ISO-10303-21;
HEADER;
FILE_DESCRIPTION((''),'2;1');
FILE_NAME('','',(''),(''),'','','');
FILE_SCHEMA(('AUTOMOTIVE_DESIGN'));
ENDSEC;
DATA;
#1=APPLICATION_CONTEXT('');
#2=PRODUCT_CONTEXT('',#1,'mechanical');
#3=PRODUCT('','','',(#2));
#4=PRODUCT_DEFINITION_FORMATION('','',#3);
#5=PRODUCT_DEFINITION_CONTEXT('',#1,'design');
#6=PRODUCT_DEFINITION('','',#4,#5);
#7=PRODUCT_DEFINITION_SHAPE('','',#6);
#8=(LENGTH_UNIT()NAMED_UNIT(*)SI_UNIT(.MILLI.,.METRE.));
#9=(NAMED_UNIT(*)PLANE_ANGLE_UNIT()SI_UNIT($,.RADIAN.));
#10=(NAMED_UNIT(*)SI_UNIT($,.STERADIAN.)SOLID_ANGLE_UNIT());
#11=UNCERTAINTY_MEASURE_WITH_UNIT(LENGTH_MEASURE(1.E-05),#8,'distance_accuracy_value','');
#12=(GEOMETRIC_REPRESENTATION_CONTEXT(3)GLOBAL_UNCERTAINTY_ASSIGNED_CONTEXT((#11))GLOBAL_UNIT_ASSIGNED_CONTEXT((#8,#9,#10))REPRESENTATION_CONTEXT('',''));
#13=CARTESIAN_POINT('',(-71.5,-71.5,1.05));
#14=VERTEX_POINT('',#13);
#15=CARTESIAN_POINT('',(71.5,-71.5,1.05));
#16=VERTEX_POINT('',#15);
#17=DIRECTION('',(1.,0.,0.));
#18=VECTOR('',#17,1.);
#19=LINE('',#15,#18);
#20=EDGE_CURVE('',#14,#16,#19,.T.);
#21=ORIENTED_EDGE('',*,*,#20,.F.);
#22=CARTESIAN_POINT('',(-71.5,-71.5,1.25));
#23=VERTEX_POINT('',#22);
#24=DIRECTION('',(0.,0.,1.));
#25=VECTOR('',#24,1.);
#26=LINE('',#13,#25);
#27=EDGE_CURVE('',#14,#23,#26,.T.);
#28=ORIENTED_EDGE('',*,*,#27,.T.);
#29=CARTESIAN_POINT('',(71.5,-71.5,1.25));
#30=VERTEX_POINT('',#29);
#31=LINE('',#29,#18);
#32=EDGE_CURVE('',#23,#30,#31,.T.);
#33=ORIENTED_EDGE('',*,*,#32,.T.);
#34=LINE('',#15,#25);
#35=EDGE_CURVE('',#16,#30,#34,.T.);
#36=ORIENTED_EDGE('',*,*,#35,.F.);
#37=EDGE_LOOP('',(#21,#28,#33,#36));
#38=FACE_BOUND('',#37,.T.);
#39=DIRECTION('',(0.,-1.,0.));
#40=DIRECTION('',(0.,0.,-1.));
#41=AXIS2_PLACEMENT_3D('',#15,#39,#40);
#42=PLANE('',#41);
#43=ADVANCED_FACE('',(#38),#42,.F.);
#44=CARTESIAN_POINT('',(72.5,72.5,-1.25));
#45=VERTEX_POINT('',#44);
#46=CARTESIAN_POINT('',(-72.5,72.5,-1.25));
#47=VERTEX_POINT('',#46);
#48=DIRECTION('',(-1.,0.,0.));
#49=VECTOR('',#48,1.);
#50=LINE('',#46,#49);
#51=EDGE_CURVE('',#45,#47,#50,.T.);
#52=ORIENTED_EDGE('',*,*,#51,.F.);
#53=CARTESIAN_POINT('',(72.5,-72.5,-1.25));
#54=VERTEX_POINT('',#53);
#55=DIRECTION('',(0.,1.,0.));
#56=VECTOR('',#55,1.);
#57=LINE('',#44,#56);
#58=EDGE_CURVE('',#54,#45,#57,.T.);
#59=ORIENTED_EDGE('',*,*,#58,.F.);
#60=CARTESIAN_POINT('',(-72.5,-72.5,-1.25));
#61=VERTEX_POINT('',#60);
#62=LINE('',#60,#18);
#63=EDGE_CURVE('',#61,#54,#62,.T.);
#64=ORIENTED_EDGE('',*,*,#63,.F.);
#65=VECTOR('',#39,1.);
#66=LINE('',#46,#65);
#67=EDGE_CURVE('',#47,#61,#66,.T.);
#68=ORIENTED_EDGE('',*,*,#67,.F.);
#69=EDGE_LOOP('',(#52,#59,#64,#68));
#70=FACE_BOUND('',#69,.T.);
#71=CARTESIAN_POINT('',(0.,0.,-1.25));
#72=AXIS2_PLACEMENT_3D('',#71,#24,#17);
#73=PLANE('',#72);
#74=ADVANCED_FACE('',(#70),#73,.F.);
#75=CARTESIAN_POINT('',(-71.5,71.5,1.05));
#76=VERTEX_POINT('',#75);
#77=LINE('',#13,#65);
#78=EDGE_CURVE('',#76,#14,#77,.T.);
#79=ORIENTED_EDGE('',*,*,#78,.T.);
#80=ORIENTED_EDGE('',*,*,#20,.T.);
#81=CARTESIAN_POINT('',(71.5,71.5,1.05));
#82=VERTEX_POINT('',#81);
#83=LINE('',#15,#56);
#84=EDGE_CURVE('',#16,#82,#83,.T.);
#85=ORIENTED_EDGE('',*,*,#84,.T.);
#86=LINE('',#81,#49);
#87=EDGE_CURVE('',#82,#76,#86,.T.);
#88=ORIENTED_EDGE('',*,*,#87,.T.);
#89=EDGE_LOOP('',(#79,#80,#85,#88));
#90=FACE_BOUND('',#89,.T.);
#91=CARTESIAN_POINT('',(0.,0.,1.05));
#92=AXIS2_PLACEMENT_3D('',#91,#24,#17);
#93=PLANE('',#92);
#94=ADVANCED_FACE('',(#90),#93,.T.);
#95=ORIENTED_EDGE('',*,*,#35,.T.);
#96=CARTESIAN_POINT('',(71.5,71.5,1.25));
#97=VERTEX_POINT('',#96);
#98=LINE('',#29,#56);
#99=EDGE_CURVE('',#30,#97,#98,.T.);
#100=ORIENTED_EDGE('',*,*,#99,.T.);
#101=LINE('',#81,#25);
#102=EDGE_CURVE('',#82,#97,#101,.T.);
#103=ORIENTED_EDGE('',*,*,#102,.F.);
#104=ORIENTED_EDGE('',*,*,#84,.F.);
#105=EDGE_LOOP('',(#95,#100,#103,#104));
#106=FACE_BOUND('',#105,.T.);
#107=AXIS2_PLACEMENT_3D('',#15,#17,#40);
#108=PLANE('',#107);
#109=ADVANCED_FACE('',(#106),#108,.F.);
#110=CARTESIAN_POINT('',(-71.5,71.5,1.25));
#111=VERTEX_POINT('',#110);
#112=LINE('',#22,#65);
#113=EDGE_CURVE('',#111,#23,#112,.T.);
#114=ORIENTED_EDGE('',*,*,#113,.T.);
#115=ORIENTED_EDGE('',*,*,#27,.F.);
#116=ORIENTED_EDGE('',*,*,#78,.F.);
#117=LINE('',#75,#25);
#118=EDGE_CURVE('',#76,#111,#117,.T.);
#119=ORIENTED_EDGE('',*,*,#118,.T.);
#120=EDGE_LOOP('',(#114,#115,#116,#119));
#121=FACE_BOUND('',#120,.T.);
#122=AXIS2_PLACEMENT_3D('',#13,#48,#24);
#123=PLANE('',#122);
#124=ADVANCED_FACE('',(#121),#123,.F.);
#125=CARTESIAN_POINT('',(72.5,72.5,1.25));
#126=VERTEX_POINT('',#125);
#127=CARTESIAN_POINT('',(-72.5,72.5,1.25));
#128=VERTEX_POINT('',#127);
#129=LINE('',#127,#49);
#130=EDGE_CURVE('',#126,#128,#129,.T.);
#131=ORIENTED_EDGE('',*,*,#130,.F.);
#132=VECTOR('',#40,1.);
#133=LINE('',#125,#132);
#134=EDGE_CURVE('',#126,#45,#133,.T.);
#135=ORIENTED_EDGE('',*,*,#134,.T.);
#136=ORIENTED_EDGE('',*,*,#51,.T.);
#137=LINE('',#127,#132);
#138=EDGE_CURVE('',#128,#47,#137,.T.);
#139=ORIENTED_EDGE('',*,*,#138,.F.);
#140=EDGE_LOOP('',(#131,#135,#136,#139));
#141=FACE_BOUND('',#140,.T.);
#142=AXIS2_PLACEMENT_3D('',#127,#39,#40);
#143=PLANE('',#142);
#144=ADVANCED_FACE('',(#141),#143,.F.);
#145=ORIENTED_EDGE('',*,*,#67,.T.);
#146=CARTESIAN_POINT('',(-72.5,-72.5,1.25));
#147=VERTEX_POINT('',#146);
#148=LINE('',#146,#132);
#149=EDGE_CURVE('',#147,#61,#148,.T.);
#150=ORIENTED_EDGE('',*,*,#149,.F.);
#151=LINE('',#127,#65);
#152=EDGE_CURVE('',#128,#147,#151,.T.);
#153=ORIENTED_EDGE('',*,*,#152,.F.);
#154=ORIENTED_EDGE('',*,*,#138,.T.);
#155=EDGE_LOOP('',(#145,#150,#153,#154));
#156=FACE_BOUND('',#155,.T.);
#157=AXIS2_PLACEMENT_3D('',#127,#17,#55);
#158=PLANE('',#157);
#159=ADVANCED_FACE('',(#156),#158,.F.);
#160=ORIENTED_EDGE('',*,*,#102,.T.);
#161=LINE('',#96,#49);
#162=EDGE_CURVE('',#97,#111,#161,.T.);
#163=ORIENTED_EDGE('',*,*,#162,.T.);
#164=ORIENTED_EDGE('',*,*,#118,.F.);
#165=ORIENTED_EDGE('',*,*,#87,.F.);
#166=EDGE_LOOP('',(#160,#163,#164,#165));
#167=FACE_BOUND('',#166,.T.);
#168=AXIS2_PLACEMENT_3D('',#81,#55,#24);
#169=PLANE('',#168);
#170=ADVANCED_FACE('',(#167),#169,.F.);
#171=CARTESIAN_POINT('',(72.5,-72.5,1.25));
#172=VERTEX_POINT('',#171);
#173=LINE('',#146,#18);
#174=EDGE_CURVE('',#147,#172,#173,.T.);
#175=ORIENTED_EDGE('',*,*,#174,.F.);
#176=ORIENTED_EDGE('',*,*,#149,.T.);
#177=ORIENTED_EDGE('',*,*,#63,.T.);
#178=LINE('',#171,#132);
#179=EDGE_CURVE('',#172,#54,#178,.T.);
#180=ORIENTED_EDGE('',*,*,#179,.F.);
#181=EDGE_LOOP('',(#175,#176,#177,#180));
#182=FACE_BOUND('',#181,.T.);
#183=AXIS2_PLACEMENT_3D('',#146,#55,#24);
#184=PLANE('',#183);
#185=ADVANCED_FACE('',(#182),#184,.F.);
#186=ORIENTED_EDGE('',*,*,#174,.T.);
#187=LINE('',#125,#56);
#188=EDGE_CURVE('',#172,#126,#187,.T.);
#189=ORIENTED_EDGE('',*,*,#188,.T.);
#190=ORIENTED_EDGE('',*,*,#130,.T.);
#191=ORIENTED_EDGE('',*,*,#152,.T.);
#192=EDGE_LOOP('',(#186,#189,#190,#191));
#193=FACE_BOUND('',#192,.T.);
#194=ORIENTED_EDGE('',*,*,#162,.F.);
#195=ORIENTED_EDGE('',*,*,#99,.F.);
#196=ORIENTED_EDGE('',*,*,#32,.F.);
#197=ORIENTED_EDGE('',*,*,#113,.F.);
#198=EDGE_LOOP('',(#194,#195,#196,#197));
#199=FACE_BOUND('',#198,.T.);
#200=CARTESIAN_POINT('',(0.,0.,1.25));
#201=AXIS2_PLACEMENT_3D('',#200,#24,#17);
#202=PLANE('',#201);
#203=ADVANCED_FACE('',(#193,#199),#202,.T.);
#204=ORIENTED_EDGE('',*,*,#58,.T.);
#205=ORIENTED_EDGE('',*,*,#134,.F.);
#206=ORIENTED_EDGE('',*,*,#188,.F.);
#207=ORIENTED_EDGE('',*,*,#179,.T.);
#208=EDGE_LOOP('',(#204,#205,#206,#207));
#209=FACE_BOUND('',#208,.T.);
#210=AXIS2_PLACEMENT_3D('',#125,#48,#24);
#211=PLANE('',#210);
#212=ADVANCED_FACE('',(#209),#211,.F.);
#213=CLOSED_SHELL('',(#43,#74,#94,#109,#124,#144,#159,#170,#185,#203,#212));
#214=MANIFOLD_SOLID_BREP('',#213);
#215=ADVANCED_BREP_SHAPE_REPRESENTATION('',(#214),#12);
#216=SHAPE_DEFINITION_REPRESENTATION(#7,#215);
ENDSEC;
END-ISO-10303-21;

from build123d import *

# Parameters (mm, degrees)
SKETCH1_W           = 145
SKETCH1_H           = 145
BOSS_EXTRUDE1_DEPTH = 1.25
SKETCH2_W           = 143
SKETCH2_H           = 143
CUT_EXTRUDE1_DEPTH  = 0.2


with BuildPart() as part:
    # Sketch1 → Boss-Extrude1 (new, symmetric)
    with BuildSketch(Plane.XY):
        Rectangle(SKETCH1_W, SKETCH1_H)
    extrude(amount=BOSS_EXTRUDE1_DEPTH, both=True)

    # Sketch2 → Cut-Extrude1 (cut)
    with BuildSketch(Plane.XY.offset(1.25)):
        Rectangle(SKETCH2_W, SKETCH2_H)
    extrude(amount=-CUT_EXTRUDE1_DEPTH, mode=Mode.SUBTRACT)


solid = part.part
